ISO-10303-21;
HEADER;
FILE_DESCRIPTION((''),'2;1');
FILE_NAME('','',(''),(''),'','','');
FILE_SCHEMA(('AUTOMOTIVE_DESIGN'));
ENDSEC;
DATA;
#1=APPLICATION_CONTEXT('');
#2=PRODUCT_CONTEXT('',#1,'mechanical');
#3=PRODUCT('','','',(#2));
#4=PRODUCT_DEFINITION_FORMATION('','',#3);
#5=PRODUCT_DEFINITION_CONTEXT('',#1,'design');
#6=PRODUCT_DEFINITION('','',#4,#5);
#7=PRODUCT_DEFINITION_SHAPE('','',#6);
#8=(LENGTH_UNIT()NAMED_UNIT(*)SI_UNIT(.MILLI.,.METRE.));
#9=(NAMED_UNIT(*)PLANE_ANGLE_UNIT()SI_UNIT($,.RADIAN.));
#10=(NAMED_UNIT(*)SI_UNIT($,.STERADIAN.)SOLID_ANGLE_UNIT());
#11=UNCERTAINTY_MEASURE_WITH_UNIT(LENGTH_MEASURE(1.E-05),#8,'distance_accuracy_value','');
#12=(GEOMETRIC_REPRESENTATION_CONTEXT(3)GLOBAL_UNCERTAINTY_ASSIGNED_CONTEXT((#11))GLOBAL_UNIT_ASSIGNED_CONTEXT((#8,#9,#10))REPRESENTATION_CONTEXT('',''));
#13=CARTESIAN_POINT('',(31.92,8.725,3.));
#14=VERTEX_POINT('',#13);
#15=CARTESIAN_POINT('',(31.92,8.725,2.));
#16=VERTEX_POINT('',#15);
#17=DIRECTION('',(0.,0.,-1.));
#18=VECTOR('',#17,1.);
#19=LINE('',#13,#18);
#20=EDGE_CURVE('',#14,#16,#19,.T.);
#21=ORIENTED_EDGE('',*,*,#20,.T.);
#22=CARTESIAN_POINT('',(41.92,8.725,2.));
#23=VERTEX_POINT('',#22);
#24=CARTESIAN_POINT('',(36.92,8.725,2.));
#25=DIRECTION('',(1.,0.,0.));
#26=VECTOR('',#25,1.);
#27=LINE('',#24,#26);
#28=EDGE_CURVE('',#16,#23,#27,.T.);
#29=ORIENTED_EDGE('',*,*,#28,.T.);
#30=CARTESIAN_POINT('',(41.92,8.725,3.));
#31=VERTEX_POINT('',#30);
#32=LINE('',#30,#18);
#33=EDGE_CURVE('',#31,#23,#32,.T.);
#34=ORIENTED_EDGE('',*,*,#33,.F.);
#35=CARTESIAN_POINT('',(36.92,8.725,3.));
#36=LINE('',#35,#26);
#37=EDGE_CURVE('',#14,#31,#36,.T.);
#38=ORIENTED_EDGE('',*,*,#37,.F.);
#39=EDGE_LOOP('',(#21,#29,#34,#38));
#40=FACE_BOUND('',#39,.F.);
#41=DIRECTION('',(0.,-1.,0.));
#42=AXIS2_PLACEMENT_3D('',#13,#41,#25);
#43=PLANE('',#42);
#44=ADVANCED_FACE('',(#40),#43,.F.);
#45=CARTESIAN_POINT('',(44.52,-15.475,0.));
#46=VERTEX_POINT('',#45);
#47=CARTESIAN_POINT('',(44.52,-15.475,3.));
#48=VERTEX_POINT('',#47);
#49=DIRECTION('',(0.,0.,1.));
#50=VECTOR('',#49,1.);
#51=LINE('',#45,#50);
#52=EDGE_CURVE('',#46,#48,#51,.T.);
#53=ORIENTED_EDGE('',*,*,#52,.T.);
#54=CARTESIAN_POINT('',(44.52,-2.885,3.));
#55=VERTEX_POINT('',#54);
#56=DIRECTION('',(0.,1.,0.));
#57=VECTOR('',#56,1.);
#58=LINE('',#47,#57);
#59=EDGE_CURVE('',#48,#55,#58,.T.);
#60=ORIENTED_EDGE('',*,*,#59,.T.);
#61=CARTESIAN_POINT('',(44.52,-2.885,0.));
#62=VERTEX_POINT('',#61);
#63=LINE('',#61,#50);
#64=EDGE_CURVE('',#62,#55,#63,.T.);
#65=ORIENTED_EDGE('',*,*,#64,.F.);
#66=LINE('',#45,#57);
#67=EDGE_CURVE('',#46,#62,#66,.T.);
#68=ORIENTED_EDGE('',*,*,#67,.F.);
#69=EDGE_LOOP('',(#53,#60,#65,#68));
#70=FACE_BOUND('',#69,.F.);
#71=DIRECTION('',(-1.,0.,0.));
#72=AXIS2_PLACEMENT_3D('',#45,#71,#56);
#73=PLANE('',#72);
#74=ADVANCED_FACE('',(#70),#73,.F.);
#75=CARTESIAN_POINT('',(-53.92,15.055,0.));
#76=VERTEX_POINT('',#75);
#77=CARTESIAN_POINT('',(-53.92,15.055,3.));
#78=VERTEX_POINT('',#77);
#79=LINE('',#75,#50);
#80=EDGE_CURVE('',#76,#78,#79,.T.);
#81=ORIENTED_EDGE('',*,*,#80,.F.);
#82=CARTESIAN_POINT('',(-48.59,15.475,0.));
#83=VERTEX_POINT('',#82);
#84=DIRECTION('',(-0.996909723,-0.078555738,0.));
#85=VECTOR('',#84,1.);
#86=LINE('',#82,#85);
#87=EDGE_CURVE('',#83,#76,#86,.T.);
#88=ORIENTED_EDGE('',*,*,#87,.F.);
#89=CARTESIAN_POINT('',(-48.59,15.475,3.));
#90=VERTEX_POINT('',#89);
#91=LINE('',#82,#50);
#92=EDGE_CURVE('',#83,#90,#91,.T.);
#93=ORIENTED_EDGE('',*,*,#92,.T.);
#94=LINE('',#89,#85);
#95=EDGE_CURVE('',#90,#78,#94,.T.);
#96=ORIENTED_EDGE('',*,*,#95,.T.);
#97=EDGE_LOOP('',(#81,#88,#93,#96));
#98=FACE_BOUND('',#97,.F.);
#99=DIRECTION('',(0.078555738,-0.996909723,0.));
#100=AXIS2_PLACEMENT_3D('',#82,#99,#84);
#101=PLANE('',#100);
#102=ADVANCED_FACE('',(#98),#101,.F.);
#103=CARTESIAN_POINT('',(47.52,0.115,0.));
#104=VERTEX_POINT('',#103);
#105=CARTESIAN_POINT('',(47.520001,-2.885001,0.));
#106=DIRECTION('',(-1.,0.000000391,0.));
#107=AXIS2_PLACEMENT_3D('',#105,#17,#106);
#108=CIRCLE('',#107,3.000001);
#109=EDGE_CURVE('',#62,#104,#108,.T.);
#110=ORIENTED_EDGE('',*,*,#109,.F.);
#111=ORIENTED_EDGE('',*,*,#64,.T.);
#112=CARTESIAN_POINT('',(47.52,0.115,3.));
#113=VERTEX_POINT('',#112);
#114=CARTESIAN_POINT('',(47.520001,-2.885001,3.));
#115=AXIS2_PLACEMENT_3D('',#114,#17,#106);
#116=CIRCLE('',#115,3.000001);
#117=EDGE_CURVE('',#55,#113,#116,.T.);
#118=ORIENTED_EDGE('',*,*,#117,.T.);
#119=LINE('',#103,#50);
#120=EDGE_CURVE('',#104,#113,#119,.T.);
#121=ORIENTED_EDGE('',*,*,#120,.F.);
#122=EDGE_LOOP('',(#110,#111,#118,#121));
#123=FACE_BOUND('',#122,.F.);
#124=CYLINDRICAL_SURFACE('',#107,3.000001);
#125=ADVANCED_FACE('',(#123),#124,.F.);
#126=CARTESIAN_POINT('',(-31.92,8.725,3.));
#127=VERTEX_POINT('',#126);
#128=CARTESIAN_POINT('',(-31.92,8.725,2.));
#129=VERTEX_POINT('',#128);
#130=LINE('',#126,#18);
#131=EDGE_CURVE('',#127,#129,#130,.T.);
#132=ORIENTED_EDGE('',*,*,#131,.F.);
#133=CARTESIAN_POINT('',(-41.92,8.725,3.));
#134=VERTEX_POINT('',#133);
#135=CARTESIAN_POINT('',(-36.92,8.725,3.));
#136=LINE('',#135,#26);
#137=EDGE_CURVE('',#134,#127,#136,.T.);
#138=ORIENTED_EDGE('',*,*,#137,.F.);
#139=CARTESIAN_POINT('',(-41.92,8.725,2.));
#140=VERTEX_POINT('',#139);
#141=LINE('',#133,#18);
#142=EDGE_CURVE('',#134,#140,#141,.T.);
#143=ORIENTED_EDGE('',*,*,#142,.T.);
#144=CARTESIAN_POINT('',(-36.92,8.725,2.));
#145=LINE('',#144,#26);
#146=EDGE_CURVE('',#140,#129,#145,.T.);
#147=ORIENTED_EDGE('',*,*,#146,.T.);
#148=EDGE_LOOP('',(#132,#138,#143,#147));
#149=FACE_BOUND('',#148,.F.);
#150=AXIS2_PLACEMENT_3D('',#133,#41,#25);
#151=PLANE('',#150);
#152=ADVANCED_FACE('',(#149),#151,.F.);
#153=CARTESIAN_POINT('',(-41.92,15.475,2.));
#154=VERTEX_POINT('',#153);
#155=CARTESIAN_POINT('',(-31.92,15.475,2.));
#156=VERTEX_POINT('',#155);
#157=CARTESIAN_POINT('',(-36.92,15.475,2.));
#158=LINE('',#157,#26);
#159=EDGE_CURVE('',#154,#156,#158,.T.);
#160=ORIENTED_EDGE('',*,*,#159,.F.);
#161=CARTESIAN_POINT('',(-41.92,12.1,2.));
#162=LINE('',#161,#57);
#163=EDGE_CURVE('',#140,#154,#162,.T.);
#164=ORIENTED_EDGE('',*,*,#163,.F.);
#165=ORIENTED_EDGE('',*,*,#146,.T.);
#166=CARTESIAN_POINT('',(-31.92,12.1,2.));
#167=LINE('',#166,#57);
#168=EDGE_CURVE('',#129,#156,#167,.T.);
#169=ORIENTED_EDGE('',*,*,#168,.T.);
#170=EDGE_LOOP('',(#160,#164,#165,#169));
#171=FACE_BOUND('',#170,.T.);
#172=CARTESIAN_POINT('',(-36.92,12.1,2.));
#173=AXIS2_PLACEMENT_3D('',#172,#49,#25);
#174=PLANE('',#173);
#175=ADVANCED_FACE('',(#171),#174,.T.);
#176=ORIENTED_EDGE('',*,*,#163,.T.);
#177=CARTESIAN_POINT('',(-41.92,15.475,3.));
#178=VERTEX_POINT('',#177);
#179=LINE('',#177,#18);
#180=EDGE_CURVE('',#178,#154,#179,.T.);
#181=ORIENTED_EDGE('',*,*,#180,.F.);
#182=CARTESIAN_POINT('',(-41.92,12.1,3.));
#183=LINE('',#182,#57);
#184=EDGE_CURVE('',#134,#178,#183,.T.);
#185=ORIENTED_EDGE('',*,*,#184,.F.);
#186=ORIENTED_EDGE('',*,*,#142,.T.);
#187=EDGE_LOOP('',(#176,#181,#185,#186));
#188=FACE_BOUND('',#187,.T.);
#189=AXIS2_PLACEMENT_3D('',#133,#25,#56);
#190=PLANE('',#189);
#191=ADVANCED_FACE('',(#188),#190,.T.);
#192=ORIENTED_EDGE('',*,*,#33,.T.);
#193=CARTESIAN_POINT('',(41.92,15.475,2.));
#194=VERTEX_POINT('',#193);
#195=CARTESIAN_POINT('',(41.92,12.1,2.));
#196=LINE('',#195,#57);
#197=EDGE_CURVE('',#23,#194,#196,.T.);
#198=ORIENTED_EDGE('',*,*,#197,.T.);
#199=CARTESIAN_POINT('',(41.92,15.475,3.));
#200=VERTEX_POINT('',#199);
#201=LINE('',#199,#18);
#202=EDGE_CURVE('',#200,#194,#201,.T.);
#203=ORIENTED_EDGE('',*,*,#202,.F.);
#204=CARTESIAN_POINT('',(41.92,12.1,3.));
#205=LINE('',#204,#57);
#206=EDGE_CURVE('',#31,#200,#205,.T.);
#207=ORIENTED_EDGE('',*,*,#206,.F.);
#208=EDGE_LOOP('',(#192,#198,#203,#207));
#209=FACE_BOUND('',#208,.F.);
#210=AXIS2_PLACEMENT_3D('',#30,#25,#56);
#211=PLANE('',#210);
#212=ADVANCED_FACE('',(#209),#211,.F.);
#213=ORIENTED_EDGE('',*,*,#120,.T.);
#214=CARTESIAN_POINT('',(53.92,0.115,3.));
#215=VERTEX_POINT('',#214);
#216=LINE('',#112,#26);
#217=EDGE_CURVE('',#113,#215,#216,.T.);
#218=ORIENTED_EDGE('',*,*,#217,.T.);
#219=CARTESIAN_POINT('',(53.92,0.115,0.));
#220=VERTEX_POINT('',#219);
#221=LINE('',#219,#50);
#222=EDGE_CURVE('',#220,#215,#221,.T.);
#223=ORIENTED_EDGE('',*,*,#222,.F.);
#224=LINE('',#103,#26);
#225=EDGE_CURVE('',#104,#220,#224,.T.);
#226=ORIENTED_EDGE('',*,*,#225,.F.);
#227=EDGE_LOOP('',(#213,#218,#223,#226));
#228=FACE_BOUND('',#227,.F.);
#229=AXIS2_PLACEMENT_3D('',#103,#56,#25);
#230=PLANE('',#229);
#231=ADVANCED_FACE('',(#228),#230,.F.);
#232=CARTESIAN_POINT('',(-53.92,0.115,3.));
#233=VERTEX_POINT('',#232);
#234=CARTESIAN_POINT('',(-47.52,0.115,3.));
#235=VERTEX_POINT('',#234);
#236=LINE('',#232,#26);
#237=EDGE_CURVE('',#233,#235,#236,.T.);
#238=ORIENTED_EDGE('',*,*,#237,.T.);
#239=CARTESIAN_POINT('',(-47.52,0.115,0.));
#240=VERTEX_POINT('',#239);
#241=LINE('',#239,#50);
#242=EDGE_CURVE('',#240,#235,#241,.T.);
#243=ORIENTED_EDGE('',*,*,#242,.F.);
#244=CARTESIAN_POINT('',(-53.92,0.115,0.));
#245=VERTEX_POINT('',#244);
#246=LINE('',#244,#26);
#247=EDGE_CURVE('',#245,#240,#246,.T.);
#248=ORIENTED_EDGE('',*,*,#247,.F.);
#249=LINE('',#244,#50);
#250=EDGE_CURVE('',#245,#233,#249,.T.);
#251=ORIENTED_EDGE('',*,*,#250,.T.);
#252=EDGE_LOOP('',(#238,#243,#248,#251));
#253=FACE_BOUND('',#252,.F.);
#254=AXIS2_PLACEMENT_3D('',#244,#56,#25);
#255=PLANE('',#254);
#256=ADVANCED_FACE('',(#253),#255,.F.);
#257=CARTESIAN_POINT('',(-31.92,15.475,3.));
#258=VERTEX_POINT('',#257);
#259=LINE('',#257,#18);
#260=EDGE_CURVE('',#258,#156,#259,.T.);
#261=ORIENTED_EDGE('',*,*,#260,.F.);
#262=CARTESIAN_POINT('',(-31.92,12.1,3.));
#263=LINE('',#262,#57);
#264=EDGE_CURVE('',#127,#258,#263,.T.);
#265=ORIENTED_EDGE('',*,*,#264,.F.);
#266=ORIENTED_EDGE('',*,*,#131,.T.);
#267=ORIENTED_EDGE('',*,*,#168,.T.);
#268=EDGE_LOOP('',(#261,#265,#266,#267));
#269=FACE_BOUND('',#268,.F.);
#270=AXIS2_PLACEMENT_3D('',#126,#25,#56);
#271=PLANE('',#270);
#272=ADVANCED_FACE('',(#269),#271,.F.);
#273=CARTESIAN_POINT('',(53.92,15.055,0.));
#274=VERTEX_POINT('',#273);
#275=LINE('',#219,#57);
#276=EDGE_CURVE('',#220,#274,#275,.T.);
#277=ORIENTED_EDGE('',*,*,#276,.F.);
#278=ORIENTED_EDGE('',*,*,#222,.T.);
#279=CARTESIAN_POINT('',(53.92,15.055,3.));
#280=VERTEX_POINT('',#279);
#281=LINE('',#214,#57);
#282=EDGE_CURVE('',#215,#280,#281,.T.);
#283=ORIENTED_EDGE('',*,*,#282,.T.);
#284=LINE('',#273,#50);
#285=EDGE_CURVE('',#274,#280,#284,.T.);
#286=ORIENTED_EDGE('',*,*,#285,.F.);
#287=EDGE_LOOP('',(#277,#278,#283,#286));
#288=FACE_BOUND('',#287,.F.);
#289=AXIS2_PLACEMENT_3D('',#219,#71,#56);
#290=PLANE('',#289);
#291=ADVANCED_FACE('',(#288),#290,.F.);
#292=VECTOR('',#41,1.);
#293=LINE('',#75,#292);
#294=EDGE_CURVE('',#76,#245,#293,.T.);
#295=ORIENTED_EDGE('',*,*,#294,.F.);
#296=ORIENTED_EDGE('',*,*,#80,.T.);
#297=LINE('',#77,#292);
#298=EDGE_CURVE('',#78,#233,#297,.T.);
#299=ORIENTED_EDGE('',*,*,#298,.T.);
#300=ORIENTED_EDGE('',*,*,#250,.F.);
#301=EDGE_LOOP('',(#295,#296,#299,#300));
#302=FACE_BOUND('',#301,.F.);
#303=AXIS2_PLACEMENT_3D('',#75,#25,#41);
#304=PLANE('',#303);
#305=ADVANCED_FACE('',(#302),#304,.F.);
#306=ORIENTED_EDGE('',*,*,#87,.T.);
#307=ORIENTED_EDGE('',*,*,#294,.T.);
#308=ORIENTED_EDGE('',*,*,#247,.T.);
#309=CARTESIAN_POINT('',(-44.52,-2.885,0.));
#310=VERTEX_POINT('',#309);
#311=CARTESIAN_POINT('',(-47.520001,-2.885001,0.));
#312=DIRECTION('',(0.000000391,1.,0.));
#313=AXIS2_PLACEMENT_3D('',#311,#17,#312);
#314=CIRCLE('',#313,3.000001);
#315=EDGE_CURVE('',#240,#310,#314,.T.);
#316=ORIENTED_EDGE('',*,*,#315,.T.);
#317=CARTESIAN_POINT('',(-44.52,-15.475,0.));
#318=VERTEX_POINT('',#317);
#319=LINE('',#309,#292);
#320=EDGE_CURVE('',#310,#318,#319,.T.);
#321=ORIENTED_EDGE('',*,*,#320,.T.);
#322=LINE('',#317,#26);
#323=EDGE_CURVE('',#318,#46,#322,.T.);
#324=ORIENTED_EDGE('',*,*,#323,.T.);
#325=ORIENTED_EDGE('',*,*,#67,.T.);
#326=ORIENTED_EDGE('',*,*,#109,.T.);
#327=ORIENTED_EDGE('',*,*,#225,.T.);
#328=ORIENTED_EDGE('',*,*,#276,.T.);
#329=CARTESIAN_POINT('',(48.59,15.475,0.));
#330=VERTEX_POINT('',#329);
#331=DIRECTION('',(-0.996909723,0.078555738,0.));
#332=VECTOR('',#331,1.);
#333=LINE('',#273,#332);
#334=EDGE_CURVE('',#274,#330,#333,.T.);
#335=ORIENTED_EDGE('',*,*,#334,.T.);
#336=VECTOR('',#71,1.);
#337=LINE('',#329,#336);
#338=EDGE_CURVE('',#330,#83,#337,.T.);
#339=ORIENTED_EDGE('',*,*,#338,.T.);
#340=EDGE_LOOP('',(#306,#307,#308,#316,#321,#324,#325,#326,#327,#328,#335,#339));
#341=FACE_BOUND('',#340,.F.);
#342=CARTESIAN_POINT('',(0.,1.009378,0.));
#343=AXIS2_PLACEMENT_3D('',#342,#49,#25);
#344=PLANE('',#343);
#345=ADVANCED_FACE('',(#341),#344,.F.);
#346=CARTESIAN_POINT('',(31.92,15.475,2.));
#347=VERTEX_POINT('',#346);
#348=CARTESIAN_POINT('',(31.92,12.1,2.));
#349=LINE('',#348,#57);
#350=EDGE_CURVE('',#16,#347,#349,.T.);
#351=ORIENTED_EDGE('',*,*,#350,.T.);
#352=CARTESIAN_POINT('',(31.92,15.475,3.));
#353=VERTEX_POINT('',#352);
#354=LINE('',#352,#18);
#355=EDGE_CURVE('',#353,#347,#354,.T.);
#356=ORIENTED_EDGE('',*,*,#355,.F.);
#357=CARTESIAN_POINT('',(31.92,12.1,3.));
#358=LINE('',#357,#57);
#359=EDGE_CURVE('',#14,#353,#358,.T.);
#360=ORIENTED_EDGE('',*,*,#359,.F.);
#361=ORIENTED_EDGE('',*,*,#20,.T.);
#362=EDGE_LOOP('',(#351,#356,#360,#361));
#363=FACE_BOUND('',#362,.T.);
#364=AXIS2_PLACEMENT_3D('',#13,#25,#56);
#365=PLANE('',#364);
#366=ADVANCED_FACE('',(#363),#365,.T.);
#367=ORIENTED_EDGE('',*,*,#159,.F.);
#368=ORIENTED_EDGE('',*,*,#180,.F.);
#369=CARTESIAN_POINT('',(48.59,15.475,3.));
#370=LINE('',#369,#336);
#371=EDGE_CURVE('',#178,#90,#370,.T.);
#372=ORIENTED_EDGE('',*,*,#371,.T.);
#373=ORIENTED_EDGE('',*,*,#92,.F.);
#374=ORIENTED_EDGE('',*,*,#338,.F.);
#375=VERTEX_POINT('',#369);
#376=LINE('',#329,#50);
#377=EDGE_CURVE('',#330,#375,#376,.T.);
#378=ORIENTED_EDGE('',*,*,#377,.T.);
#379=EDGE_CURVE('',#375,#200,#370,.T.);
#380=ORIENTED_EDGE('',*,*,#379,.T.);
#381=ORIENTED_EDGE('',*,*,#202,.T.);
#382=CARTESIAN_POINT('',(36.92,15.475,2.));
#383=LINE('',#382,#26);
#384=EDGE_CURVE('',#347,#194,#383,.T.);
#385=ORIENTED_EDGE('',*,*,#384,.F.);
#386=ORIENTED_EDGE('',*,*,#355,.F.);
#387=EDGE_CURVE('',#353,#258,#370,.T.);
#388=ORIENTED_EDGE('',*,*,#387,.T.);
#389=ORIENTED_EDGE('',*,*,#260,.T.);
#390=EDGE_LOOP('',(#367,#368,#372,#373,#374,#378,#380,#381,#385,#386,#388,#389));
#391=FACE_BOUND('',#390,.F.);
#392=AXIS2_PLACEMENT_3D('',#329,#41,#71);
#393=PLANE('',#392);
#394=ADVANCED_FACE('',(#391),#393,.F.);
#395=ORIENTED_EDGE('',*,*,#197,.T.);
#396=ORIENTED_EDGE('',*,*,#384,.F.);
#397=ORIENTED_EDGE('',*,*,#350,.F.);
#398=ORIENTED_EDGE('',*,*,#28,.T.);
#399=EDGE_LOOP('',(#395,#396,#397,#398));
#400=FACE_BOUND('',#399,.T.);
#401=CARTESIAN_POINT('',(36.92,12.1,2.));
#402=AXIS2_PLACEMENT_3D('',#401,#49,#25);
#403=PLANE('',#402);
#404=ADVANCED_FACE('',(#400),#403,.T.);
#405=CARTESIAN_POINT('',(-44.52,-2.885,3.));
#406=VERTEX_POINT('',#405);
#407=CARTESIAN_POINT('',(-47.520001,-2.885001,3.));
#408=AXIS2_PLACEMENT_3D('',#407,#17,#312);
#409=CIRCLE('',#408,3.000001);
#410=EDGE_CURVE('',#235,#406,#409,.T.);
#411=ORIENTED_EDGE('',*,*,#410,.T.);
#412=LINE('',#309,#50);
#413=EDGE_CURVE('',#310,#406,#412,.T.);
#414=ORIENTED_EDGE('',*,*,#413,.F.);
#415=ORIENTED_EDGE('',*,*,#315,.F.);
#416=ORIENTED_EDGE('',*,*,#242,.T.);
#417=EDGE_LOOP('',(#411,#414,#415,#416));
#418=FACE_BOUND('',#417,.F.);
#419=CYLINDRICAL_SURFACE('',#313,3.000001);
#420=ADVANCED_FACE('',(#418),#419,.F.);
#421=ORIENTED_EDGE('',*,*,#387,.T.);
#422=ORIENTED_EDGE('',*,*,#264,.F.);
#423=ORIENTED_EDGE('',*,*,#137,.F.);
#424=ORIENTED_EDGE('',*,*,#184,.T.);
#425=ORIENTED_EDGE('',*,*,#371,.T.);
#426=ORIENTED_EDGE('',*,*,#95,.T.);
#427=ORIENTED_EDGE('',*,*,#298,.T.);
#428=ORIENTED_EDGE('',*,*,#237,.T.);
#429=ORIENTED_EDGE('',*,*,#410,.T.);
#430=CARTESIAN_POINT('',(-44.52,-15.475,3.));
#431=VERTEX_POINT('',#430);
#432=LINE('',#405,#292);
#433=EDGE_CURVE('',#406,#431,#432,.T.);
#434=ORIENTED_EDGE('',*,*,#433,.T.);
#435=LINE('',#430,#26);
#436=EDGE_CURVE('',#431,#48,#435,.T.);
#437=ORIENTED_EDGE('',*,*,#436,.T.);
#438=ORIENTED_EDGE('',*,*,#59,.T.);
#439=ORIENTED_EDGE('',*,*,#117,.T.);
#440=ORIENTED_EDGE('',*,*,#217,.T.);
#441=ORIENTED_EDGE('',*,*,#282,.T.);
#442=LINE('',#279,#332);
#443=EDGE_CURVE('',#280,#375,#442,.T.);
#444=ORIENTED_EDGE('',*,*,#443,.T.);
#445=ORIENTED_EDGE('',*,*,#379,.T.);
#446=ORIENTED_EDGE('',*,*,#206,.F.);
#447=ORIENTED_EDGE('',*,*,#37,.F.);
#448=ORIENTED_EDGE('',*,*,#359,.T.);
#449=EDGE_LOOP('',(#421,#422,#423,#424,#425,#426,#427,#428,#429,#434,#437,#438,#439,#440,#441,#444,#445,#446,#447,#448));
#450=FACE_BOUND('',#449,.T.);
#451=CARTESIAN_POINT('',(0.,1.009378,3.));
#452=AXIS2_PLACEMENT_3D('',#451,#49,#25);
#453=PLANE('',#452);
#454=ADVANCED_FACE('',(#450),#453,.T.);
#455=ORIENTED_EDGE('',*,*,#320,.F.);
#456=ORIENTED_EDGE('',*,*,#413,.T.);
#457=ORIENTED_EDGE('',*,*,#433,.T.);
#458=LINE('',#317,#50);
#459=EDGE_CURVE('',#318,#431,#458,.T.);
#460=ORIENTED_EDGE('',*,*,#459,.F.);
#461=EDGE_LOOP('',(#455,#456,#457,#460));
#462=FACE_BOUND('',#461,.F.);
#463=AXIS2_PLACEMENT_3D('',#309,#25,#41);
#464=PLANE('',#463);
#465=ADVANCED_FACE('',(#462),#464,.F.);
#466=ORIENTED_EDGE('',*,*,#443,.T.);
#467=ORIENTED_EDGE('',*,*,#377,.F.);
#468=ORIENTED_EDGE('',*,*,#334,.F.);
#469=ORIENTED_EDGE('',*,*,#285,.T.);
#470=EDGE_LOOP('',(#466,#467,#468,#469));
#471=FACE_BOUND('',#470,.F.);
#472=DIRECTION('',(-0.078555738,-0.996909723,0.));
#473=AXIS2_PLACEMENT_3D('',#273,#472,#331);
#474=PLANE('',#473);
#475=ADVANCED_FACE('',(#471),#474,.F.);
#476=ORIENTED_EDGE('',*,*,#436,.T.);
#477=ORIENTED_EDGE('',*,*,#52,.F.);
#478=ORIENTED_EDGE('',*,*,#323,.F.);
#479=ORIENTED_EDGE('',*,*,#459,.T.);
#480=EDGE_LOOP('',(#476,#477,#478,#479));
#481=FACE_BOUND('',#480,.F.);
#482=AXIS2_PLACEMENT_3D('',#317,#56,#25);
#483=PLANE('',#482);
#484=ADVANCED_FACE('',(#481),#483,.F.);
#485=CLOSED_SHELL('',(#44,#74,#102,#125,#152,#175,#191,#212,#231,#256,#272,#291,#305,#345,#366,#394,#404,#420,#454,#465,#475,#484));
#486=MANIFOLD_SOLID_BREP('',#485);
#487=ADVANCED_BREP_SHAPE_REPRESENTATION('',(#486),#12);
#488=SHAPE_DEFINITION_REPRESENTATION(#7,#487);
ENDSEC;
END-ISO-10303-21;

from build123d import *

# Parameters (mm, degrees)
F1_DEPTH = 3
F2_W     = 10
F2_H     = 6.75
F3_DEPTH = 1


with BuildPart() as f1:
    # F0 (on Top) → F1 (new body)
    with BuildSketch(Plane.XY):
        with BuildLine():
            Line((48.59, 15.475), (-48.59, 15.475))
            Line((-48.59, 15.475), (-53.92, 15.055))
            Line((-53.92, 15.055), (-53.92, 0.115))
            Line((-53.92, 0.115), (-47.52, 0.115))
            ThreePointArc((-47.52, 0.115), (-45.39868, -0.76368), (-44.52, -2.885))
            Line((-44.52, -2.885), (-44.52, -15.475))
            Line((-44.52, -15.475), (44.52, -15.475))
            Line((44.52, -15.475), (44.52, -2.885))
            ThreePointArc((44.52, -2.885), (45.39868, -0.76368), (47.52, 0.115))
            Line((47.52, 0.115), (53.92, 0.115))
            Line((53.92, 0.115), (53.92, 15.055))
            Line((53.92, 15.055), (48.59, 15.475))
        make_face()
    extrude(amount=F1_DEPTH)

    # F2 (on face) → F3 (cut)
    with BuildSketch(Plane.XY.offset(3)):
        with Locations((-36.92, 12.1)):
            Rectangle(F2_W, F2_H)
        with Locations((36.92, 12.1)):
            Rectangle(F2_W, F2_H)
    extrude(amount=-F3_DEPTH, mode=Mode.SUBTRACT)


solid = f1.part
